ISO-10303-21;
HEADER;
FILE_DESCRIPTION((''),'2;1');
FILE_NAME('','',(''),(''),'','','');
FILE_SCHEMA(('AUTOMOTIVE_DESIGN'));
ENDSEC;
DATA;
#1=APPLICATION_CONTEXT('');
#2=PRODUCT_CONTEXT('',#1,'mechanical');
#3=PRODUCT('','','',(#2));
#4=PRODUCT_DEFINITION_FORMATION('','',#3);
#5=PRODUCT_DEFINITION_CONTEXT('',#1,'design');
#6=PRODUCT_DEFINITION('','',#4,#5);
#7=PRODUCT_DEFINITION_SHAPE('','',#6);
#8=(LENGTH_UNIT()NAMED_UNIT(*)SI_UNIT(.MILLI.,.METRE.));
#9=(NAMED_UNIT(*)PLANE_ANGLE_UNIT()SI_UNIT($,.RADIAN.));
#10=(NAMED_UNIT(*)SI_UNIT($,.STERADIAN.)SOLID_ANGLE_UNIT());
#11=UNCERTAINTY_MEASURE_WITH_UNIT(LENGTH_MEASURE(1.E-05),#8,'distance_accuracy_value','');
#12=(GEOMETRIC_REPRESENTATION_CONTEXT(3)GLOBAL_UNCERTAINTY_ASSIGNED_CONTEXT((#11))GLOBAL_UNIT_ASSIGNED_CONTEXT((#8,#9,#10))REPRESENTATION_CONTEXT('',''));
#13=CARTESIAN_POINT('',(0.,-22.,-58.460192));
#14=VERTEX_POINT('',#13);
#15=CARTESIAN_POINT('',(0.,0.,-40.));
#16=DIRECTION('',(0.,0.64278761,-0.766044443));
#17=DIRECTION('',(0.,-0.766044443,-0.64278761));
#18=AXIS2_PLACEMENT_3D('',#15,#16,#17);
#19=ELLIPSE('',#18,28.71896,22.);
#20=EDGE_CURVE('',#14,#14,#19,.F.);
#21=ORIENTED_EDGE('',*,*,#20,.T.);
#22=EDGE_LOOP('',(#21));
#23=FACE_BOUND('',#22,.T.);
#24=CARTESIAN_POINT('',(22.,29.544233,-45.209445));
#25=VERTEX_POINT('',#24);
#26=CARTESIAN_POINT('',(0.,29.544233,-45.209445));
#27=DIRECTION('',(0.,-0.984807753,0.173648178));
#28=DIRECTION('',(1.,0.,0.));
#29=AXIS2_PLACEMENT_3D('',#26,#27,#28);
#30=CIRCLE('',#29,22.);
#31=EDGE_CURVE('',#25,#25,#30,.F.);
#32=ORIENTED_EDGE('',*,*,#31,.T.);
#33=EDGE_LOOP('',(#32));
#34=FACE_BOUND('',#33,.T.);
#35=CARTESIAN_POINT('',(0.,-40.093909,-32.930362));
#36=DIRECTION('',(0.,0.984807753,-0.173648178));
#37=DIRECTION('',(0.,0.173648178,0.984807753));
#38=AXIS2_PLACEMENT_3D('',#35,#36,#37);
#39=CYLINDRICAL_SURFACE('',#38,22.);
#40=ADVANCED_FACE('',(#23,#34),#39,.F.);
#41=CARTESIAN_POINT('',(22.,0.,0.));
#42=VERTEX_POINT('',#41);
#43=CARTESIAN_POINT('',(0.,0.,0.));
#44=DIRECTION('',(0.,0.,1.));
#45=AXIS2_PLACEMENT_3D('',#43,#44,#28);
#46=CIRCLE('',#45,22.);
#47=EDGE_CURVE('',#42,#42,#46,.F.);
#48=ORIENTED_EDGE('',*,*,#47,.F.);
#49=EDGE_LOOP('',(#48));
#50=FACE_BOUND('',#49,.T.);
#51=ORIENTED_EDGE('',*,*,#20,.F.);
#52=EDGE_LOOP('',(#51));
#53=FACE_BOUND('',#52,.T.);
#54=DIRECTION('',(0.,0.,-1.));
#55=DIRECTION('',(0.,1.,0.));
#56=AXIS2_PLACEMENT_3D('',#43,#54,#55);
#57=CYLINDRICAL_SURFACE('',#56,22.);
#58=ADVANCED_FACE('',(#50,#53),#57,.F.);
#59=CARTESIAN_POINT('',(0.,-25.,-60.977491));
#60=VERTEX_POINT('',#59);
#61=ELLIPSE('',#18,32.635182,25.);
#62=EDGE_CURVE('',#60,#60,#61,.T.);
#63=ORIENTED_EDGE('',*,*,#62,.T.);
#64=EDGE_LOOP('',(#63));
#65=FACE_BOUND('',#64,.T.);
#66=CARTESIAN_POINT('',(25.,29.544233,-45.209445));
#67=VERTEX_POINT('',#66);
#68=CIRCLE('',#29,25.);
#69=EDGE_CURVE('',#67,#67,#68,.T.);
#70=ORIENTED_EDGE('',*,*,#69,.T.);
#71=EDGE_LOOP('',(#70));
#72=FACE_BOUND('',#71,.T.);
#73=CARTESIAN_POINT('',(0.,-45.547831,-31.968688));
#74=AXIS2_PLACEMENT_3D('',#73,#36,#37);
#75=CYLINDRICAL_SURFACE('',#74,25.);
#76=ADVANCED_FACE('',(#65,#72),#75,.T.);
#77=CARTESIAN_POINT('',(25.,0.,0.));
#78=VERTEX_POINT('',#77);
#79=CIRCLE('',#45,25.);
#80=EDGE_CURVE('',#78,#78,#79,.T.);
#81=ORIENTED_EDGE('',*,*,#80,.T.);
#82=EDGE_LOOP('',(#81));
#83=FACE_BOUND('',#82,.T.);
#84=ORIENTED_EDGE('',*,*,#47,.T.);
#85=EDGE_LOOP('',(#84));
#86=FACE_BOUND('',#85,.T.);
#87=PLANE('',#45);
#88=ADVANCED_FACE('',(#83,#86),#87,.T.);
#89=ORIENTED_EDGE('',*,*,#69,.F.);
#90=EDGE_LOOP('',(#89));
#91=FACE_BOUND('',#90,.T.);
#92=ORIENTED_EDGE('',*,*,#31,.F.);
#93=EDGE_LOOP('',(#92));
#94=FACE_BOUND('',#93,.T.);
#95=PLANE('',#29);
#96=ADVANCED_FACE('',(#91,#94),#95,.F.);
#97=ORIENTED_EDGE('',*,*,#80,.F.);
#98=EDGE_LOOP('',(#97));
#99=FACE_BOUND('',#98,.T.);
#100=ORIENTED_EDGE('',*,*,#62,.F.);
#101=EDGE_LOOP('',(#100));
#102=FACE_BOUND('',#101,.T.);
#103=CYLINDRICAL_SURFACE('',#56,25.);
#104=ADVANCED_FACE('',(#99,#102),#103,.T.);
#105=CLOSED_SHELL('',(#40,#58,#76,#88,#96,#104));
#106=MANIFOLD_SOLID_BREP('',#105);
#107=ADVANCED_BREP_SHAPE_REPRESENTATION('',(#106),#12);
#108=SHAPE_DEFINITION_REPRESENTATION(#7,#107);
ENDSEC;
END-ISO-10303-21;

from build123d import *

# Parameters (mm, degrees)
SKETCH3_R   = 25
SKETCH3_R_2 = 22


with BuildPart() as part:
    # Sweep1: sweep along a path in Sketch1
    with BuildLine(Plane(origin=(0, 0, 0), x_dir=(0, 0, -1), z_dir=(1, 0, 0))) as sweep1_path:
        Line((0, 0), (40, 0))
        Line((40, 0), (45.20944533, 29.54423259))
    # Sketch3 → Sweep1 (sweep)
    with BuildSketch(Plane.XY):
        Circle(SKETCH3_R)
        Circle(SKETCH3_R_2, mode=Mode.SUBTRACT)
    sweep(path=sweep1_path.line, transition=Transition.RIGHT)


solid = part.part
